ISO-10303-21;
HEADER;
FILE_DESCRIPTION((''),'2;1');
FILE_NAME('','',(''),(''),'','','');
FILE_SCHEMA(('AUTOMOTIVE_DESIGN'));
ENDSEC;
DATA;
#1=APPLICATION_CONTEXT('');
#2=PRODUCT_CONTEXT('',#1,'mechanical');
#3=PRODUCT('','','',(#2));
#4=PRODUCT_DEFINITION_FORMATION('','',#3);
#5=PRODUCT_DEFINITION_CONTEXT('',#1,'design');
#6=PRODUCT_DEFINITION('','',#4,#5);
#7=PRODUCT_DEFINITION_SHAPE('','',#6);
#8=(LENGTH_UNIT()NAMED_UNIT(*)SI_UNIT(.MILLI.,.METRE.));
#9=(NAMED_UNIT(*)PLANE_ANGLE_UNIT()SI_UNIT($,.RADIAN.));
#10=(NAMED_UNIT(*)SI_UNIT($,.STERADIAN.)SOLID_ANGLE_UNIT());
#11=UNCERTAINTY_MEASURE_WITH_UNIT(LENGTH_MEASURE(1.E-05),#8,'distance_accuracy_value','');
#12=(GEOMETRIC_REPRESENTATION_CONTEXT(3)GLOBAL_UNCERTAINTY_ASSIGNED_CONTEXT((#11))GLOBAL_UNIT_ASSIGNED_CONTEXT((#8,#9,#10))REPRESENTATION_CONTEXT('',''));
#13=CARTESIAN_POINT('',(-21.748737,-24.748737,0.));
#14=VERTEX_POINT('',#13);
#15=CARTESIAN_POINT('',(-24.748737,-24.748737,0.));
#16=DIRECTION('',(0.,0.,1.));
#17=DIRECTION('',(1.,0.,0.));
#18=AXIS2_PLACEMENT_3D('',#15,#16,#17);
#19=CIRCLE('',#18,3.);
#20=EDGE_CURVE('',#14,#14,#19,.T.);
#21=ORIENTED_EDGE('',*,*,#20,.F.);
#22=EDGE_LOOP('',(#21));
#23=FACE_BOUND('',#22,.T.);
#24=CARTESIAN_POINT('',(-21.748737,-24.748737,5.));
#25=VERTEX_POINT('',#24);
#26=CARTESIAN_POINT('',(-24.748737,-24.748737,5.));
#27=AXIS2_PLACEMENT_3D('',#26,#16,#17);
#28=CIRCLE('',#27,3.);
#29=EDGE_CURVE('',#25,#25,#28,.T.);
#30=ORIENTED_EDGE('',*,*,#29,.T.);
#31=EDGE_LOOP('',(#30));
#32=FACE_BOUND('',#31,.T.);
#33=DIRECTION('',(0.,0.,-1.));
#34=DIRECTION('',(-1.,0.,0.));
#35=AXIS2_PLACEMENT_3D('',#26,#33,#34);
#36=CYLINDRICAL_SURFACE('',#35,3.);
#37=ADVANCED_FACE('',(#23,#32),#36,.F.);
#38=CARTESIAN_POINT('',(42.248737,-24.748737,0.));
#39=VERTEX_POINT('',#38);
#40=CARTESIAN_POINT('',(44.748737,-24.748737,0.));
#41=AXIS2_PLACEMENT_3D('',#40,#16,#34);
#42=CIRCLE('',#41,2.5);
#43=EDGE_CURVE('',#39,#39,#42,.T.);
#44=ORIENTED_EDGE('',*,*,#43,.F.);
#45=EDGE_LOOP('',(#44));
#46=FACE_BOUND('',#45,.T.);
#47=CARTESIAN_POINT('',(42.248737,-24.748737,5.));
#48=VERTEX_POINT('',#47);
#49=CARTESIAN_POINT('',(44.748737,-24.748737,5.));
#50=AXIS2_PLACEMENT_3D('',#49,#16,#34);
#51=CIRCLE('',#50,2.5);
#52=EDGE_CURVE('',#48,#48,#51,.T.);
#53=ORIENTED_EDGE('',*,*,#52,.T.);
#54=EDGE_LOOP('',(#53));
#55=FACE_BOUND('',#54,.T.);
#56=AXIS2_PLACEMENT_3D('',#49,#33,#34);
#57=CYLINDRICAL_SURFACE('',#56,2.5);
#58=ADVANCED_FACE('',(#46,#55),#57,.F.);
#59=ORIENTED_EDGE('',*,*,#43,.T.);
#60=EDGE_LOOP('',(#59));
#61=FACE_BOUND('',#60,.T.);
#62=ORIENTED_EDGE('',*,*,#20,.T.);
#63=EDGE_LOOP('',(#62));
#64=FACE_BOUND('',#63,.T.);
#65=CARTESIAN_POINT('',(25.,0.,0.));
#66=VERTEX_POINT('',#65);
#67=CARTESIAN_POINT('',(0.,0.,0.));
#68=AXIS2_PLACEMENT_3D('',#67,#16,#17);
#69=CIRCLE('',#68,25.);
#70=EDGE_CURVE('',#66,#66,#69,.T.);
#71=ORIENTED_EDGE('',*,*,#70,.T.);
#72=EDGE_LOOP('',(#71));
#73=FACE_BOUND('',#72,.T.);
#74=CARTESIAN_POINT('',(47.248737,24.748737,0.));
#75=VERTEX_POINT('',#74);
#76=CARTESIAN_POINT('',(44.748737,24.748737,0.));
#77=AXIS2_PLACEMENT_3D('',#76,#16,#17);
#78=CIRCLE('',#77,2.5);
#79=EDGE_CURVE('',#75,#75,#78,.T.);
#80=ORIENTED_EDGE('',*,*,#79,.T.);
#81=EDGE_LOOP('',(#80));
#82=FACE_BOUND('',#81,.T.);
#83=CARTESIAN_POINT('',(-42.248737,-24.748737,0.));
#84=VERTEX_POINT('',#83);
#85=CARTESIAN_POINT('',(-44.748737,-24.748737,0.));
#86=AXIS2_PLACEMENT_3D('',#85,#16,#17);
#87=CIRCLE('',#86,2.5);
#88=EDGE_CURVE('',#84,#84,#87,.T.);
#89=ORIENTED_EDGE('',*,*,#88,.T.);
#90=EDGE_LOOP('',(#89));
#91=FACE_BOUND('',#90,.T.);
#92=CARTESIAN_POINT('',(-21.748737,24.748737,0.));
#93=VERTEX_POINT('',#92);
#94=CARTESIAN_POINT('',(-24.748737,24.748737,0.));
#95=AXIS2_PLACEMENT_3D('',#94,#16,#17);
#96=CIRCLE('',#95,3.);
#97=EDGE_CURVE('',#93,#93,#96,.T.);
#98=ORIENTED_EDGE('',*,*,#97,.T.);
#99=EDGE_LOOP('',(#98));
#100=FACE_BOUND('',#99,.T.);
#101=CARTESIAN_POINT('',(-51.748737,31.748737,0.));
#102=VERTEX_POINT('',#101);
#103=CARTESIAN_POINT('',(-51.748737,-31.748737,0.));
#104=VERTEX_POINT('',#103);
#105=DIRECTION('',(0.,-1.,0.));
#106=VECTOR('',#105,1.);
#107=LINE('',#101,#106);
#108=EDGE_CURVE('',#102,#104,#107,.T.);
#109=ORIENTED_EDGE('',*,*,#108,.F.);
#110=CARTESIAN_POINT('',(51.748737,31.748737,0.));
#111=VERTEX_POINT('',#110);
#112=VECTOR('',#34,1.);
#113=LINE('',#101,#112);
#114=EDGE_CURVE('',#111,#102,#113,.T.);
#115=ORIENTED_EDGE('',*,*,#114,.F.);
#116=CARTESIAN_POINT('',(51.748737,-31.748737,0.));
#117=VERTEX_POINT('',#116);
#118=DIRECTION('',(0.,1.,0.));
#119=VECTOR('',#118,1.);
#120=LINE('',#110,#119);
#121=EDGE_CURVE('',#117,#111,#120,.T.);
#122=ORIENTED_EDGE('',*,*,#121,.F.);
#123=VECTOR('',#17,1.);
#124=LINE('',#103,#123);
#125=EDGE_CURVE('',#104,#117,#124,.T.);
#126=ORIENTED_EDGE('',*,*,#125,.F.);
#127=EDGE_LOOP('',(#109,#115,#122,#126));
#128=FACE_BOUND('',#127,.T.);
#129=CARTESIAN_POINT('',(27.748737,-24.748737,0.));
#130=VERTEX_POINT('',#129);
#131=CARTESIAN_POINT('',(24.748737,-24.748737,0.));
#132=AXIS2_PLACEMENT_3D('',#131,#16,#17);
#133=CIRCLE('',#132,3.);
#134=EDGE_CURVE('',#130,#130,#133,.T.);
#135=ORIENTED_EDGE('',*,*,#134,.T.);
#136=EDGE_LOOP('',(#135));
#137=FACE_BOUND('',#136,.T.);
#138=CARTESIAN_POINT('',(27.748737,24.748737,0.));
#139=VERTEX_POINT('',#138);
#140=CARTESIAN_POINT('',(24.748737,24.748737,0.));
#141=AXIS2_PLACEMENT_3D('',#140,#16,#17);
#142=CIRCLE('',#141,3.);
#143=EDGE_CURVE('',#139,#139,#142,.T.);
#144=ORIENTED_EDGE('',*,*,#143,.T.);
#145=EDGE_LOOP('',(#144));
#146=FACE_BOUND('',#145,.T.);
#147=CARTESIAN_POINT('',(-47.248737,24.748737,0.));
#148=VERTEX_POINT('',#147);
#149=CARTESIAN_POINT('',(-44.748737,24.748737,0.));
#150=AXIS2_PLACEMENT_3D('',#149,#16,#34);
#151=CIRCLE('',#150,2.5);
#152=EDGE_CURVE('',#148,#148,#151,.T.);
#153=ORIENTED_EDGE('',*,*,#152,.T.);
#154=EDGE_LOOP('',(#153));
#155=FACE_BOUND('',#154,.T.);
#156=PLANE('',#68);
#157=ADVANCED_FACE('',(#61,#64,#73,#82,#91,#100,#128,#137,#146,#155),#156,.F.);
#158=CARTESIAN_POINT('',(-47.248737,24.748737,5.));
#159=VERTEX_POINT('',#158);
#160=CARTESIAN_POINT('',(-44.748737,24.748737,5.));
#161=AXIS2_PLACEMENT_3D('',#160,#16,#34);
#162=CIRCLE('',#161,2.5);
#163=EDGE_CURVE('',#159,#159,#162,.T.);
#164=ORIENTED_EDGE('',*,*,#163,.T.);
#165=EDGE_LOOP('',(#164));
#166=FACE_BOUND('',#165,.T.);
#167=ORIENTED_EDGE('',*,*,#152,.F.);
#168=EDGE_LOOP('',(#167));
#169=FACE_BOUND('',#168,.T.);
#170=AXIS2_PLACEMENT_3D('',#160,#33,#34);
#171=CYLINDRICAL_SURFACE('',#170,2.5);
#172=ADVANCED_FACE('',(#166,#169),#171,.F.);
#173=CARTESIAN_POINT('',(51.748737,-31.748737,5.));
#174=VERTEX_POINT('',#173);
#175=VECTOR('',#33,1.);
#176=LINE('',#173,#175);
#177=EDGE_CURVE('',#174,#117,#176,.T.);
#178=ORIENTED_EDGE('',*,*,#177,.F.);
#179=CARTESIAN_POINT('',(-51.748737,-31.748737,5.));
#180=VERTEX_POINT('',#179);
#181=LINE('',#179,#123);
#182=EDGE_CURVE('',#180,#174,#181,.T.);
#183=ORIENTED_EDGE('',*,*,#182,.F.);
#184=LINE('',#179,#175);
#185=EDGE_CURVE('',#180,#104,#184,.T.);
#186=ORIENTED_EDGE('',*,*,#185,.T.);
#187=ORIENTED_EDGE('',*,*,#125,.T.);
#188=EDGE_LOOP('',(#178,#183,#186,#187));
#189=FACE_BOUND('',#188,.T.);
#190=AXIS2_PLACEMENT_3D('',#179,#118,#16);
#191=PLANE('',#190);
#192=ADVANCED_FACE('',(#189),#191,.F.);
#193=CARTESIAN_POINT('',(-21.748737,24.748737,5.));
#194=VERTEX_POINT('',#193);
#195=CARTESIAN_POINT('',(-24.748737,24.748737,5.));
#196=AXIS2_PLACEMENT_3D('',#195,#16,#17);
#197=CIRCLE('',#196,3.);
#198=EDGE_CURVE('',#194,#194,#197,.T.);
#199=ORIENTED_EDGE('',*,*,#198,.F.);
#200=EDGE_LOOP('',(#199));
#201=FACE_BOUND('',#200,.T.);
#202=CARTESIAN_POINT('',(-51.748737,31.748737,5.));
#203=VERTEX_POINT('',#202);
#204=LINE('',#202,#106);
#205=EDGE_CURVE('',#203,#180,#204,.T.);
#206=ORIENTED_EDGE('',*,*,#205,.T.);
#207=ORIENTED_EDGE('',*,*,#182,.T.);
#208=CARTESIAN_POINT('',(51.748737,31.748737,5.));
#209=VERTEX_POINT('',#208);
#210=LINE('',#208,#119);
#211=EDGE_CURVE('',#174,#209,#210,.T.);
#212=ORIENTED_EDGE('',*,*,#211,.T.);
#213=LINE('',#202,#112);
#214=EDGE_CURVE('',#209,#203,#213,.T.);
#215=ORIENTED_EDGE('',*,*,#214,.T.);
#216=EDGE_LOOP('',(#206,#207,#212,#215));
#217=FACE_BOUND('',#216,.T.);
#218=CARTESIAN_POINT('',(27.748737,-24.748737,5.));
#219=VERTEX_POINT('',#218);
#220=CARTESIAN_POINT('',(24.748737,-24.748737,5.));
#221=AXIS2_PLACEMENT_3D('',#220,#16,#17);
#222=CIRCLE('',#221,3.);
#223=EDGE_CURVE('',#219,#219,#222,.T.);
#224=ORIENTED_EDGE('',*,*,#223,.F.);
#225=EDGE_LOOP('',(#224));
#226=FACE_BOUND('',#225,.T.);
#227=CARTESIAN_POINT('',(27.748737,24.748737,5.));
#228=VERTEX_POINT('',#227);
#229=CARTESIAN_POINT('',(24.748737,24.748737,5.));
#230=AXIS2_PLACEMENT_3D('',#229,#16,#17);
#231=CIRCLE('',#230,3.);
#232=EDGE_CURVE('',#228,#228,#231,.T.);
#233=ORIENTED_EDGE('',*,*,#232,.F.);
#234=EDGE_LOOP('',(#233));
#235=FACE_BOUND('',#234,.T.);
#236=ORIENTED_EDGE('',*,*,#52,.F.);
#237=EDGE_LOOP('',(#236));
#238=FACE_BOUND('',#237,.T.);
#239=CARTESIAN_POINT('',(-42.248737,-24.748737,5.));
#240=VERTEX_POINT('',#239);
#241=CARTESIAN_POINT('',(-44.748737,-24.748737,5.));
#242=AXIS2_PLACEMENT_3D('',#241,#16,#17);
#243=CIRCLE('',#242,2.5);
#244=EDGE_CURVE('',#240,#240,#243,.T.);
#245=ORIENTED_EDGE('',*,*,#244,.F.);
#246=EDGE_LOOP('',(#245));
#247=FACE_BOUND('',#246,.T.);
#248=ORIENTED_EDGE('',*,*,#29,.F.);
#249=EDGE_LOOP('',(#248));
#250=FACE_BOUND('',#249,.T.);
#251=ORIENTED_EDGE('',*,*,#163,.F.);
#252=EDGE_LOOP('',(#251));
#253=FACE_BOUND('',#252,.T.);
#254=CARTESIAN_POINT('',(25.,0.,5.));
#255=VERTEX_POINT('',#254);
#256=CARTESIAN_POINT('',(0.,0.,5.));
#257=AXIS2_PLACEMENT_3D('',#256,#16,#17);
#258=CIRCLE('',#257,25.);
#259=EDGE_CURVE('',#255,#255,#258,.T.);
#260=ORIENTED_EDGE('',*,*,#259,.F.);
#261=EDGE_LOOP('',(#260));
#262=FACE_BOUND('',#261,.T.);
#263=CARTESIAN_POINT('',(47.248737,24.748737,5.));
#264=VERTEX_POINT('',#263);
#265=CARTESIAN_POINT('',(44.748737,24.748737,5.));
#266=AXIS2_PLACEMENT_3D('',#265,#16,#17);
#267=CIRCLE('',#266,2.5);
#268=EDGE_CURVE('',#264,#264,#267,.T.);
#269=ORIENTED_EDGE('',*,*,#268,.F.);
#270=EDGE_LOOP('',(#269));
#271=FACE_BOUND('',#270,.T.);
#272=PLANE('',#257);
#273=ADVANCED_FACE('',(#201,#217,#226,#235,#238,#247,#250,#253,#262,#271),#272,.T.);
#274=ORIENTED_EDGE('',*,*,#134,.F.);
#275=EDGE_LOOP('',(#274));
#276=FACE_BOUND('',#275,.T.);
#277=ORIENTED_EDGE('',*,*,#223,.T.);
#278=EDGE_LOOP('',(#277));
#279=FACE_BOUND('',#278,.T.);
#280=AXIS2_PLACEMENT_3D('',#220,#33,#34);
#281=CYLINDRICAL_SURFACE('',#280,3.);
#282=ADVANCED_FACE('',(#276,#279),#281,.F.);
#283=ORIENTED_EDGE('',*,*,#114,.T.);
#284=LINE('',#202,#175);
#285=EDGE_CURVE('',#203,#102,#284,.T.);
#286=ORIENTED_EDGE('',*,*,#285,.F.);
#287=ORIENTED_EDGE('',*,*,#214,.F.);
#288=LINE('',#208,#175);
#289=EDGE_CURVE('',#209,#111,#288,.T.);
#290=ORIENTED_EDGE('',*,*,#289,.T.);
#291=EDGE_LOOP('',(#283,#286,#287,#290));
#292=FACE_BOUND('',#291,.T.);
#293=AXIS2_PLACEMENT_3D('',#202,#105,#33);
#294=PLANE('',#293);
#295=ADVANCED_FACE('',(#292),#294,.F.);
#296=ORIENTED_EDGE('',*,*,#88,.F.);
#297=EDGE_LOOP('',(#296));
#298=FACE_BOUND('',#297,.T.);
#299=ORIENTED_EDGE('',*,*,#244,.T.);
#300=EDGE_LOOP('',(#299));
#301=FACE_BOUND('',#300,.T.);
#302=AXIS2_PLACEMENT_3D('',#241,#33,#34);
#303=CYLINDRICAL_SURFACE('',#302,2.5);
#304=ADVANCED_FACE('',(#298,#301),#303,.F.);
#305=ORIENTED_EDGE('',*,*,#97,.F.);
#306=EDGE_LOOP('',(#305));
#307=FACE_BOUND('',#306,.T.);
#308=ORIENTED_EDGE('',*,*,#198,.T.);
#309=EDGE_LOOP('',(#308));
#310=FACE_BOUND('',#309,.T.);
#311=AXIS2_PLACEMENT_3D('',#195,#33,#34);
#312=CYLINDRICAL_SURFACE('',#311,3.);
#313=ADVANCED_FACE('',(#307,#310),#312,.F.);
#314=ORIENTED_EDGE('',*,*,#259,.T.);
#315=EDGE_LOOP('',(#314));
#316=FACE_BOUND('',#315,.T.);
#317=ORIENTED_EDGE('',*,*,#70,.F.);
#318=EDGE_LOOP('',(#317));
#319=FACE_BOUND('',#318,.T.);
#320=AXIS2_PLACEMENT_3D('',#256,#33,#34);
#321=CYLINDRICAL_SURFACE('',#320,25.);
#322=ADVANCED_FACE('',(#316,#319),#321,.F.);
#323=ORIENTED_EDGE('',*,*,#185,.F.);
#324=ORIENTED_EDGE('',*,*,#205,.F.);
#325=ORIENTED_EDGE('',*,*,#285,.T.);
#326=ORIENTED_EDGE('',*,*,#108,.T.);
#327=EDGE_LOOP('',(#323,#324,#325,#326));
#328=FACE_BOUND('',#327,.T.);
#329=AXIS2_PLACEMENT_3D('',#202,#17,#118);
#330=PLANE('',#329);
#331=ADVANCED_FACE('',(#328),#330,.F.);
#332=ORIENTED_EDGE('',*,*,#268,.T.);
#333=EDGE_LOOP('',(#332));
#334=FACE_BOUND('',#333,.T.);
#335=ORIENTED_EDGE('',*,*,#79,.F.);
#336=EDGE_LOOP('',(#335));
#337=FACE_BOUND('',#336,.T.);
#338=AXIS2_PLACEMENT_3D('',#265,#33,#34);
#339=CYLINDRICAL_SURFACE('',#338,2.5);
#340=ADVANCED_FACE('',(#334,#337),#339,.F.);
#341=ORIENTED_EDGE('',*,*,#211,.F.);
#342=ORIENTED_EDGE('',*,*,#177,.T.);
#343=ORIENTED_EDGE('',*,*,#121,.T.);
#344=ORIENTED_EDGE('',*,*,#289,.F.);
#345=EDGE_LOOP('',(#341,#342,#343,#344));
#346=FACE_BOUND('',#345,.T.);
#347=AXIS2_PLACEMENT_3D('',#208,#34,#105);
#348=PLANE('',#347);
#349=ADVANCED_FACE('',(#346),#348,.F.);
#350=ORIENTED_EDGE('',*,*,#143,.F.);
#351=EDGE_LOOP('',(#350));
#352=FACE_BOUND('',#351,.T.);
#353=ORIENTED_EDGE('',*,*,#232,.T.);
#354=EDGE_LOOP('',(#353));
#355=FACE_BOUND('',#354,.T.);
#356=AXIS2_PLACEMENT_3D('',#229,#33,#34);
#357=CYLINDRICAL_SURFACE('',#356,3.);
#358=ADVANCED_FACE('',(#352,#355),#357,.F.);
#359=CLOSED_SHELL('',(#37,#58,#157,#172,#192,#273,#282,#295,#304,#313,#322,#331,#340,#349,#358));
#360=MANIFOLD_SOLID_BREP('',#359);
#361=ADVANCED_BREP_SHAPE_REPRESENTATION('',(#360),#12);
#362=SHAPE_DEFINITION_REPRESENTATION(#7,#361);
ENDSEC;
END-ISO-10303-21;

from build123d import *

# Parameters (mm, degrees)
SKETCH1_W           = 103.497474684
SKETCH1_H           = 63.497474684
SKETCH1_R           = 25
SKETCH1_R_2         = 3
SKETCH1_R_3         = 2.5
BOSS_EXTRUDE1_DEPTH = 5


with BuildPart() as part:
    # Sketch1 → Boss-Extrude1 (new body)
    with BuildSketch(Plane.XY):
        Rectangle(SKETCH1_W, SKETCH1_H)
        Circle(SKETCH1_R, mode=Mode.SUBTRACT)
        with Locations((24.748737342, 24.748737342)):
            Circle(SKETCH1_R_2, mode=Mode.SUBTRACT)
        with Locations((24.748737342, -24.748737342)):
            Circle(SKETCH1_R_2, mode=Mode.SUBTRACT)
        with Locations((-24.748737342, -24.748737342)):
            Circle(SKETCH1_R_2, mode=Mode.SUBTRACT)
        with Locations((-24.748737342, 24.748737342)):
            Circle(SKETCH1_R_2, mode=Mode.SUBTRACT)
        with Locations((44.748737342, 24.748737342)):
            Circle(SKETCH1_R_3, mode=Mode.SUBTRACT)
        with Locations(Location((44.748737342, -24.748737342, 0), (0, 0, 180))):
            Circle(SKETCH1_R_3, mode=Mode.SUBTRACT)
        with Locations((-44.748737342, -24.748737342)):
            Circle(SKETCH1_R_3, mode=Mode.SUBTRACT)
        with Locations(Location((-44.748737342, 24.748737342, 0), (0, 0, 180))):
            Circle(SKETCH1_R_3, mode=Mode.SUBTRACT)
    extrude(amount=BOSS_EXTRUDE1_DEPTH)


solid = part.part
